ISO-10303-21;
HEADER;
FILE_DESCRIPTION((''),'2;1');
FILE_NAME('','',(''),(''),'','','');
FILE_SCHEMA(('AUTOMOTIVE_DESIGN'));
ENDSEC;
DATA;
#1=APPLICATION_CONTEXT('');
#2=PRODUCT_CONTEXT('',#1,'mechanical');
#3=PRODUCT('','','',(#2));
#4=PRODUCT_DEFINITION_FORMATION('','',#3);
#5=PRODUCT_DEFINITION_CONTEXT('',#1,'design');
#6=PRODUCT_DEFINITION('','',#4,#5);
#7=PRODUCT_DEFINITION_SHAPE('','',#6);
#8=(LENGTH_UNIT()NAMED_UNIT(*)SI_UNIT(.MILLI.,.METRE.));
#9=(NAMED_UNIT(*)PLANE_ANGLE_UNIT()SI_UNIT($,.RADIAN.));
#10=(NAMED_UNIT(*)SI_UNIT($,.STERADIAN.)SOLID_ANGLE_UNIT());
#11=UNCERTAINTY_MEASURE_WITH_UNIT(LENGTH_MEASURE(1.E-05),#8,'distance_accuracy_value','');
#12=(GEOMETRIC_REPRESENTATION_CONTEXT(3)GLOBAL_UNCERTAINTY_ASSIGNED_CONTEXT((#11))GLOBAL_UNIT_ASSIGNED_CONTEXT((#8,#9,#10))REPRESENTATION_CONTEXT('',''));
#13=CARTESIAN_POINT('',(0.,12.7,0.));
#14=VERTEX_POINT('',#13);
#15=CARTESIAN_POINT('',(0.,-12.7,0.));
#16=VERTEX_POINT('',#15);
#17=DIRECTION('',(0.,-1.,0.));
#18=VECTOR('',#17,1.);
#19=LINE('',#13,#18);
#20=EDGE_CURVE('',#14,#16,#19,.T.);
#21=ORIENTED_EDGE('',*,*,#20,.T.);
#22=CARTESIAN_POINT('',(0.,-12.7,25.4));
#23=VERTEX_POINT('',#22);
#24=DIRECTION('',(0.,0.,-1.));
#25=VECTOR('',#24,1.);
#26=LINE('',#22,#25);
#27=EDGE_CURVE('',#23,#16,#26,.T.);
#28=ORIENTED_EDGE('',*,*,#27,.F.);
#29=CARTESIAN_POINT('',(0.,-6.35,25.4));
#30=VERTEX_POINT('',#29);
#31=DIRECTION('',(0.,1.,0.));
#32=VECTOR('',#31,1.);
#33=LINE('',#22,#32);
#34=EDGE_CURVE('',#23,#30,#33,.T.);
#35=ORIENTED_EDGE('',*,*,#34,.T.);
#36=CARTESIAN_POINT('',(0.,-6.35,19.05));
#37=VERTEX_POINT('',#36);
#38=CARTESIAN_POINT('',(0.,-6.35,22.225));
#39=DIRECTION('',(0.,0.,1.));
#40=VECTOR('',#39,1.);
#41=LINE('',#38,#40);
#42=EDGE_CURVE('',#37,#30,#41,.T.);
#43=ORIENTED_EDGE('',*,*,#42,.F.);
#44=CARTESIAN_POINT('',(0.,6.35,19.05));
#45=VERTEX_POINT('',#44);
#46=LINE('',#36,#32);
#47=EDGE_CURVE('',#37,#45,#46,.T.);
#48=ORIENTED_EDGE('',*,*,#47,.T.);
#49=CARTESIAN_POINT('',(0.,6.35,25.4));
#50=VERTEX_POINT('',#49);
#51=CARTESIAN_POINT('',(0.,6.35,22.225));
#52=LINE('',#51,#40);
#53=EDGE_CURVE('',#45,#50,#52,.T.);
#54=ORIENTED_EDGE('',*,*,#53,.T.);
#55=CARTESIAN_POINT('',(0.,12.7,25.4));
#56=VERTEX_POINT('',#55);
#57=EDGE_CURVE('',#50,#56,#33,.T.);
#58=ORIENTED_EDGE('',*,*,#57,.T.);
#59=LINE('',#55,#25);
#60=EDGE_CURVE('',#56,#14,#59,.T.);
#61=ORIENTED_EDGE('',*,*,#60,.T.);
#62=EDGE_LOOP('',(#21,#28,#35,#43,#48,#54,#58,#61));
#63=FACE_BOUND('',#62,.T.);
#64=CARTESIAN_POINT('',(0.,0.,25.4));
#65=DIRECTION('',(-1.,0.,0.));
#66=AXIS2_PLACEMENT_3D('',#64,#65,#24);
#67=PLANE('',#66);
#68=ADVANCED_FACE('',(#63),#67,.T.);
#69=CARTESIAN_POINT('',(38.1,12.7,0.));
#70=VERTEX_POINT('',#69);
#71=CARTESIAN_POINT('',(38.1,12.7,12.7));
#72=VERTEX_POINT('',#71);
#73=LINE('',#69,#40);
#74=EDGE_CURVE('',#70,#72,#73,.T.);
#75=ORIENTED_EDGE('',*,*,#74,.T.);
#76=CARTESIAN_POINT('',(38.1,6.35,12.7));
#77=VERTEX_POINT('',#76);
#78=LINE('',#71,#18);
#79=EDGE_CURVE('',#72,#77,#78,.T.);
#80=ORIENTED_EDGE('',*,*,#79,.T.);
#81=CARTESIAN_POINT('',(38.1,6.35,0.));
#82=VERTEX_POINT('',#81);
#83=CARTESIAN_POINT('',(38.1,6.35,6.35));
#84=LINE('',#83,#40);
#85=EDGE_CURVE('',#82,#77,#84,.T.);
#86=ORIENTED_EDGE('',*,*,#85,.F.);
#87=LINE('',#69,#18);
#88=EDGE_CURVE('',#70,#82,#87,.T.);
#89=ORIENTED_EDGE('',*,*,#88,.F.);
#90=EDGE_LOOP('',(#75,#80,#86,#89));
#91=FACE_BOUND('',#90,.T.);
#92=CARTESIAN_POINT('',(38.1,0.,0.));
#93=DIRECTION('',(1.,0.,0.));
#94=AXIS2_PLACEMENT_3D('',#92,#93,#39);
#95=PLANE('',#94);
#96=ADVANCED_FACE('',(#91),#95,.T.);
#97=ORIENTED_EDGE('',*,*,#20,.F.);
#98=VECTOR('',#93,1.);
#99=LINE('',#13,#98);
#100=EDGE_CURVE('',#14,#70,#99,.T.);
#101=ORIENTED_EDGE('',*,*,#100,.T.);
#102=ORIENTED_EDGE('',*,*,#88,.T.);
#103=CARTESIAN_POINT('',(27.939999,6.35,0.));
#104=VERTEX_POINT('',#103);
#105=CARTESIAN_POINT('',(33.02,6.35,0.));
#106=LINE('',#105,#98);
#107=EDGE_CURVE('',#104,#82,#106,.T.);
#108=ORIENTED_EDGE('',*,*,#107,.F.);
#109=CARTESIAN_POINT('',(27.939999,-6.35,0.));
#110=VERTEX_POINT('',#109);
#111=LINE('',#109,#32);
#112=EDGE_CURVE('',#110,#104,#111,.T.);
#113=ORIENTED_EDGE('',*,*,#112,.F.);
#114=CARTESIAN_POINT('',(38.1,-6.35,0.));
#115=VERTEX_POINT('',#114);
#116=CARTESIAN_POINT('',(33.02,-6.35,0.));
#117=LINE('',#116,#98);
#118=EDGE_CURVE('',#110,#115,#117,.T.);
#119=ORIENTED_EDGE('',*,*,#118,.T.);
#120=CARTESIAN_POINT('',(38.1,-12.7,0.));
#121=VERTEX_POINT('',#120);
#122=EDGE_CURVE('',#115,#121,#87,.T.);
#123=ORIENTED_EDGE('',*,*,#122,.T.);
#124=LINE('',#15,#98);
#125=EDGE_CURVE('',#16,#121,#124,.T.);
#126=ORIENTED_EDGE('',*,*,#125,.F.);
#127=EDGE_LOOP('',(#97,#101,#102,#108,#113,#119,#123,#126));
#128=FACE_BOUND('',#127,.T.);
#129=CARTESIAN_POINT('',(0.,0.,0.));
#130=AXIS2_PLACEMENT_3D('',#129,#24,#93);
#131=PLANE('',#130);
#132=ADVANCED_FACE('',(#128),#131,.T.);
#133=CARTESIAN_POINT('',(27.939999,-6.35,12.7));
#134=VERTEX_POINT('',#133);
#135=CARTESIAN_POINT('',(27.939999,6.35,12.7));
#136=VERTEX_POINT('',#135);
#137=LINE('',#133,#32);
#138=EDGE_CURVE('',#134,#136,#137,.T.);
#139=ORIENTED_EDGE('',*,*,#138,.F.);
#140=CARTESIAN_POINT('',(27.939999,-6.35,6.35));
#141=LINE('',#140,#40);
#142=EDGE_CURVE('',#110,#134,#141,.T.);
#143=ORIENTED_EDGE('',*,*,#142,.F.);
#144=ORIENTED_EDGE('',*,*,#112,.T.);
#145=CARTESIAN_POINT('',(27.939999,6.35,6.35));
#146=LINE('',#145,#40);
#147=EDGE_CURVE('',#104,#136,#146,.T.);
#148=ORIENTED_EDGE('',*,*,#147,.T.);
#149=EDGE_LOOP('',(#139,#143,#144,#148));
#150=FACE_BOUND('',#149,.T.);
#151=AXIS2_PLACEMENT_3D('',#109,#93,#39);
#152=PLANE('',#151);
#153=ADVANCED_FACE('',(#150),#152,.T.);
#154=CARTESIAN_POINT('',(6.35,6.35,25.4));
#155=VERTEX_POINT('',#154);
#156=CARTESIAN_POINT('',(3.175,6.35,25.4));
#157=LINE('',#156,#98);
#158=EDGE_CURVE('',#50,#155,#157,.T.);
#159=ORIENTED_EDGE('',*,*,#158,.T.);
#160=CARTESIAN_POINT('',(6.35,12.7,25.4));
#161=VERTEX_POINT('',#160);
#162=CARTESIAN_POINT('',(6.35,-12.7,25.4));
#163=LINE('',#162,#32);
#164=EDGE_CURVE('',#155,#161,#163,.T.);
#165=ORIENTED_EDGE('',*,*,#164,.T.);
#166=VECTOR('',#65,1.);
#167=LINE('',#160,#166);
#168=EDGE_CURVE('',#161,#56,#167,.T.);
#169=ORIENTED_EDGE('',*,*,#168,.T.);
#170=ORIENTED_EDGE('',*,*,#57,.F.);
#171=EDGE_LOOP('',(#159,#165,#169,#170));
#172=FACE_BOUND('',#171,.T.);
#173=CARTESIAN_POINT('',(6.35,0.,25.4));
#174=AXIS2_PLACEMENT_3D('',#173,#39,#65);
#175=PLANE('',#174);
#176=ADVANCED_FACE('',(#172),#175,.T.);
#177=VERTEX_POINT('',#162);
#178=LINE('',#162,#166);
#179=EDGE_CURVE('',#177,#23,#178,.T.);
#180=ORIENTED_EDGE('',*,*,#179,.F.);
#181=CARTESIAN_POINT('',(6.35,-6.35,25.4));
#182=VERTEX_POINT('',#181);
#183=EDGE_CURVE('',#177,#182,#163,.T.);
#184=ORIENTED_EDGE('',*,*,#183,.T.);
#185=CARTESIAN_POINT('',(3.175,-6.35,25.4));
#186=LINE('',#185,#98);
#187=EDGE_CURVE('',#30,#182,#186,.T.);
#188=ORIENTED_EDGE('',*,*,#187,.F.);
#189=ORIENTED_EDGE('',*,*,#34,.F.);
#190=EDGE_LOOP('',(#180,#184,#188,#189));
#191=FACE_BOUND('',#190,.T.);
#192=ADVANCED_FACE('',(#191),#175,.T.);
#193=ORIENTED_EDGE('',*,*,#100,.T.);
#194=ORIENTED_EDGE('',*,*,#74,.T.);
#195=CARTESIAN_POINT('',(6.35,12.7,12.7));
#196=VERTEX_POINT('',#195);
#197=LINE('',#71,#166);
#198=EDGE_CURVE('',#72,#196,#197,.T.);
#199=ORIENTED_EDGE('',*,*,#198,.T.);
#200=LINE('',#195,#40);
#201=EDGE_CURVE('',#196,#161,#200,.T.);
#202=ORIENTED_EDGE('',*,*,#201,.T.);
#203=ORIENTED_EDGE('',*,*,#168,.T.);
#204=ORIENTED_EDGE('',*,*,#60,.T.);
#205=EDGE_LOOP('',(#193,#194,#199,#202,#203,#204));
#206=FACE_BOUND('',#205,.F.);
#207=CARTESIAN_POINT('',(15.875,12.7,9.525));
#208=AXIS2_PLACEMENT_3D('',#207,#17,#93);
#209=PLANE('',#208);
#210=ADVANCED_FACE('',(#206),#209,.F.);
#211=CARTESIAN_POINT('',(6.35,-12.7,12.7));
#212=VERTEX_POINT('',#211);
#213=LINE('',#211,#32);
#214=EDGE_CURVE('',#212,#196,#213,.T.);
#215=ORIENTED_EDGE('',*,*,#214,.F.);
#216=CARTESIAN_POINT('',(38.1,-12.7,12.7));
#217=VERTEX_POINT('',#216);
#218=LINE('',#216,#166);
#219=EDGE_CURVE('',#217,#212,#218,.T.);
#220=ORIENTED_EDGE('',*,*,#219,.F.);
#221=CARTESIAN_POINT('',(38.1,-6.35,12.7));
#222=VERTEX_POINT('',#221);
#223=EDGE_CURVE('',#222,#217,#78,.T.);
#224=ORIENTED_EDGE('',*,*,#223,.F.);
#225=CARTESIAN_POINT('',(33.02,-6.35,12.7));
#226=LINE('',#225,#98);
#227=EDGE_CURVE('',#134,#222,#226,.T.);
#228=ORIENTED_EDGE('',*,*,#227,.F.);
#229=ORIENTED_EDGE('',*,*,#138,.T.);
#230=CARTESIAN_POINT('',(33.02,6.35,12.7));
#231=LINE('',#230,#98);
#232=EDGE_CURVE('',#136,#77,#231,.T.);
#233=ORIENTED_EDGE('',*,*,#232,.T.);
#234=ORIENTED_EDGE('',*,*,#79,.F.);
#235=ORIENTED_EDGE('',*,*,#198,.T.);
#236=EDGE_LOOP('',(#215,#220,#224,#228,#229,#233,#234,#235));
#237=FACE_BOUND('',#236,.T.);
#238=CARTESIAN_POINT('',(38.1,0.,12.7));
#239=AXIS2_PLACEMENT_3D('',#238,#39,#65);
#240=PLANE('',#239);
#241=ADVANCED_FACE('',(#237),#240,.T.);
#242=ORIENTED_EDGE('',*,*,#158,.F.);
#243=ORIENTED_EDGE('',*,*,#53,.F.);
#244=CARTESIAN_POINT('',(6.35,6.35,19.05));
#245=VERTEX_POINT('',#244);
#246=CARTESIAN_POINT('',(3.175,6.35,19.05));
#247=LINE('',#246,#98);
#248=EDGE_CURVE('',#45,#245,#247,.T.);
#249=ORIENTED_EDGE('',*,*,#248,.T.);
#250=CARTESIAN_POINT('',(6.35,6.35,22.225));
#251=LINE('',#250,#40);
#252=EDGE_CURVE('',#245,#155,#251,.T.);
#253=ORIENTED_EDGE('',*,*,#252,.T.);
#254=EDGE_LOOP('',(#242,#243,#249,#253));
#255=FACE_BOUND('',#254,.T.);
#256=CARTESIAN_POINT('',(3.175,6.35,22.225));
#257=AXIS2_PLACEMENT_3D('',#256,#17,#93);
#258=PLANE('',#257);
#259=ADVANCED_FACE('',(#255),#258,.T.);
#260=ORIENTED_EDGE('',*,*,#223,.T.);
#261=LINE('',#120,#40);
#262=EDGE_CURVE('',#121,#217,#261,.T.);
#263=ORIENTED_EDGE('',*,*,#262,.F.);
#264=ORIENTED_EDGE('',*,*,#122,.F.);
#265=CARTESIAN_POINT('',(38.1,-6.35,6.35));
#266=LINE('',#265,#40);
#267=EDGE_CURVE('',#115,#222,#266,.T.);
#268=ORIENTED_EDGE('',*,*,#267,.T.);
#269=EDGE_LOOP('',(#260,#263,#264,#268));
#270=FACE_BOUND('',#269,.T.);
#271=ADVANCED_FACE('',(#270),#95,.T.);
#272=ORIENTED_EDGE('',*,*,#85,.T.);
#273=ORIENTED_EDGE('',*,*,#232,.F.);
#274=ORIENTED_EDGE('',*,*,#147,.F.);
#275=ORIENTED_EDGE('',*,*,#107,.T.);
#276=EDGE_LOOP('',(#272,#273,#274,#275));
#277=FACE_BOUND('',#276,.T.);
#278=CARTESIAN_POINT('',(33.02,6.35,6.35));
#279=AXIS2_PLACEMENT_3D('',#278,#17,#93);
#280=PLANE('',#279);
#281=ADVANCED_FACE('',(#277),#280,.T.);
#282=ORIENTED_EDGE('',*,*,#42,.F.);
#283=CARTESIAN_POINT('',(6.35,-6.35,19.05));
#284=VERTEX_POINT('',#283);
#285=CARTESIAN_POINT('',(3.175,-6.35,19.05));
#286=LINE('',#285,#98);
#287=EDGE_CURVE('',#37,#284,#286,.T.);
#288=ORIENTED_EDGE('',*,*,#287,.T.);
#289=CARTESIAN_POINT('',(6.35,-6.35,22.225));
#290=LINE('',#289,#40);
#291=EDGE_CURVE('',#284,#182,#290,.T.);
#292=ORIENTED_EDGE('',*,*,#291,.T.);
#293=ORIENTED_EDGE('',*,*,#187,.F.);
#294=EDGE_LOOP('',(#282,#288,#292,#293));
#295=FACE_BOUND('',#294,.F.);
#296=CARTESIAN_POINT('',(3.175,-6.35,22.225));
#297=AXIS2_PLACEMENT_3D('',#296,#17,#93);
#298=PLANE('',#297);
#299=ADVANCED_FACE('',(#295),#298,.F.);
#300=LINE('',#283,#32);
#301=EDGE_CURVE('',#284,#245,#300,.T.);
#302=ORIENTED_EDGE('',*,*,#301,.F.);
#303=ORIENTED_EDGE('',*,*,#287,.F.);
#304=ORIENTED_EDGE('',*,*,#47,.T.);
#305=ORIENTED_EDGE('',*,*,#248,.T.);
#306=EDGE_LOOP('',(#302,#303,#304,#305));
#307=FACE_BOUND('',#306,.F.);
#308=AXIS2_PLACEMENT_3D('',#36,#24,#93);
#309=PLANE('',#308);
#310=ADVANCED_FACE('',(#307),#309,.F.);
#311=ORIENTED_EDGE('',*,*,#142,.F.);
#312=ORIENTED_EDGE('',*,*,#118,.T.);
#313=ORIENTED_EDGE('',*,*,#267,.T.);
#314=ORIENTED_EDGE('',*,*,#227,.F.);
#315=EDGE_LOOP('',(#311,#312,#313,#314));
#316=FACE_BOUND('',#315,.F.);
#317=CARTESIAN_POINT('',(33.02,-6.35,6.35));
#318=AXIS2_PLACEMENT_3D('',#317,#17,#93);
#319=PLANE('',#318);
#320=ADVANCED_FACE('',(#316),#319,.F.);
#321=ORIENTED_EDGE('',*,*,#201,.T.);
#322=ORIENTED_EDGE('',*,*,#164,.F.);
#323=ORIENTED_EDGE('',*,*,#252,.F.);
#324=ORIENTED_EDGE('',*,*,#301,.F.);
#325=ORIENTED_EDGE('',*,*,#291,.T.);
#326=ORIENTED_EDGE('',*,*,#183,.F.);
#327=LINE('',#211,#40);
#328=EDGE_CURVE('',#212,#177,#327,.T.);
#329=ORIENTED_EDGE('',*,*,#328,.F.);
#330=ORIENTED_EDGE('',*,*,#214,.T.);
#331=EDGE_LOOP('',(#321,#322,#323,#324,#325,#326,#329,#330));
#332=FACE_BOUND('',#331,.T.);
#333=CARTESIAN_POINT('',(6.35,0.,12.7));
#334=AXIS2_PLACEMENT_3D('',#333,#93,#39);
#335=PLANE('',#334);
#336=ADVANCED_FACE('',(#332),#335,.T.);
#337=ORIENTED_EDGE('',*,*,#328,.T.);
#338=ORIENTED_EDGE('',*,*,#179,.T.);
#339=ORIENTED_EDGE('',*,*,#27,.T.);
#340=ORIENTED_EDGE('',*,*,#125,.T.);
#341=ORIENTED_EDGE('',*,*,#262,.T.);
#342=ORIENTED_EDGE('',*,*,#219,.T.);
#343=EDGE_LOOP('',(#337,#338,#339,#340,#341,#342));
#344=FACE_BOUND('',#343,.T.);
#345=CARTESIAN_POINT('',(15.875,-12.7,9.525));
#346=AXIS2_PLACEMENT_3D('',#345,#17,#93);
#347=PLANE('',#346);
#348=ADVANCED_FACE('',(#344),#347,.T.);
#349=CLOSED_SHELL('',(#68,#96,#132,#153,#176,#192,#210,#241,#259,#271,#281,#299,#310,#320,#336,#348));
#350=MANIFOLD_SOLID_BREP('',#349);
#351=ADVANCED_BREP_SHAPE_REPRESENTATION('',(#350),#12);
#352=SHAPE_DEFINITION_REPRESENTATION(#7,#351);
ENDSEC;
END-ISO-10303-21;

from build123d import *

# Parameters (mm, degrees)
F1_DEPTH = 12.7
F3_START = -6.35
F2_W     = 10.1600005239
F2_H     = 12.7
F3_DEPTH = 12.7
F5_START = -6.35
F4_W     = 6.35
F4_H     = 6.35
F5_DEPTH = 12.7


with BuildPart() as f1:
    # F0 (on Front) → F1 (new body, symmetric)
    with BuildSketch(Plane.XZ):
        Polygon((0, 25.4), (0, 0), (38.1, 0), (38.1, 12.7), (6.35, 12.7), (6.35, 25.4), align=None)
    extrude(amount=F1_DEPTH, both=True)

    # F2 (on face) → F3 (cut)
    with BuildSketch(Plane.XZ.offset(12.7).offset(F3_START)):
        with Locations((33.019999738, 6.35)):
            Rectangle(F2_W, F2_H)
    extrude(amount=-F3_DEPTH, mode=Mode.SUBTRACT)

    # F4 (on face) → F5 (cut)
    with BuildSketch(Plane.XZ.offset(12.7).offset(F5_START)):
        with Locations((3.175, 22.225)):
            Rectangle(F4_W, F4_H)
    extrude(amount=-F5_DEPTH, mode=Mode.SUBTRACT)


solid = f1.part
